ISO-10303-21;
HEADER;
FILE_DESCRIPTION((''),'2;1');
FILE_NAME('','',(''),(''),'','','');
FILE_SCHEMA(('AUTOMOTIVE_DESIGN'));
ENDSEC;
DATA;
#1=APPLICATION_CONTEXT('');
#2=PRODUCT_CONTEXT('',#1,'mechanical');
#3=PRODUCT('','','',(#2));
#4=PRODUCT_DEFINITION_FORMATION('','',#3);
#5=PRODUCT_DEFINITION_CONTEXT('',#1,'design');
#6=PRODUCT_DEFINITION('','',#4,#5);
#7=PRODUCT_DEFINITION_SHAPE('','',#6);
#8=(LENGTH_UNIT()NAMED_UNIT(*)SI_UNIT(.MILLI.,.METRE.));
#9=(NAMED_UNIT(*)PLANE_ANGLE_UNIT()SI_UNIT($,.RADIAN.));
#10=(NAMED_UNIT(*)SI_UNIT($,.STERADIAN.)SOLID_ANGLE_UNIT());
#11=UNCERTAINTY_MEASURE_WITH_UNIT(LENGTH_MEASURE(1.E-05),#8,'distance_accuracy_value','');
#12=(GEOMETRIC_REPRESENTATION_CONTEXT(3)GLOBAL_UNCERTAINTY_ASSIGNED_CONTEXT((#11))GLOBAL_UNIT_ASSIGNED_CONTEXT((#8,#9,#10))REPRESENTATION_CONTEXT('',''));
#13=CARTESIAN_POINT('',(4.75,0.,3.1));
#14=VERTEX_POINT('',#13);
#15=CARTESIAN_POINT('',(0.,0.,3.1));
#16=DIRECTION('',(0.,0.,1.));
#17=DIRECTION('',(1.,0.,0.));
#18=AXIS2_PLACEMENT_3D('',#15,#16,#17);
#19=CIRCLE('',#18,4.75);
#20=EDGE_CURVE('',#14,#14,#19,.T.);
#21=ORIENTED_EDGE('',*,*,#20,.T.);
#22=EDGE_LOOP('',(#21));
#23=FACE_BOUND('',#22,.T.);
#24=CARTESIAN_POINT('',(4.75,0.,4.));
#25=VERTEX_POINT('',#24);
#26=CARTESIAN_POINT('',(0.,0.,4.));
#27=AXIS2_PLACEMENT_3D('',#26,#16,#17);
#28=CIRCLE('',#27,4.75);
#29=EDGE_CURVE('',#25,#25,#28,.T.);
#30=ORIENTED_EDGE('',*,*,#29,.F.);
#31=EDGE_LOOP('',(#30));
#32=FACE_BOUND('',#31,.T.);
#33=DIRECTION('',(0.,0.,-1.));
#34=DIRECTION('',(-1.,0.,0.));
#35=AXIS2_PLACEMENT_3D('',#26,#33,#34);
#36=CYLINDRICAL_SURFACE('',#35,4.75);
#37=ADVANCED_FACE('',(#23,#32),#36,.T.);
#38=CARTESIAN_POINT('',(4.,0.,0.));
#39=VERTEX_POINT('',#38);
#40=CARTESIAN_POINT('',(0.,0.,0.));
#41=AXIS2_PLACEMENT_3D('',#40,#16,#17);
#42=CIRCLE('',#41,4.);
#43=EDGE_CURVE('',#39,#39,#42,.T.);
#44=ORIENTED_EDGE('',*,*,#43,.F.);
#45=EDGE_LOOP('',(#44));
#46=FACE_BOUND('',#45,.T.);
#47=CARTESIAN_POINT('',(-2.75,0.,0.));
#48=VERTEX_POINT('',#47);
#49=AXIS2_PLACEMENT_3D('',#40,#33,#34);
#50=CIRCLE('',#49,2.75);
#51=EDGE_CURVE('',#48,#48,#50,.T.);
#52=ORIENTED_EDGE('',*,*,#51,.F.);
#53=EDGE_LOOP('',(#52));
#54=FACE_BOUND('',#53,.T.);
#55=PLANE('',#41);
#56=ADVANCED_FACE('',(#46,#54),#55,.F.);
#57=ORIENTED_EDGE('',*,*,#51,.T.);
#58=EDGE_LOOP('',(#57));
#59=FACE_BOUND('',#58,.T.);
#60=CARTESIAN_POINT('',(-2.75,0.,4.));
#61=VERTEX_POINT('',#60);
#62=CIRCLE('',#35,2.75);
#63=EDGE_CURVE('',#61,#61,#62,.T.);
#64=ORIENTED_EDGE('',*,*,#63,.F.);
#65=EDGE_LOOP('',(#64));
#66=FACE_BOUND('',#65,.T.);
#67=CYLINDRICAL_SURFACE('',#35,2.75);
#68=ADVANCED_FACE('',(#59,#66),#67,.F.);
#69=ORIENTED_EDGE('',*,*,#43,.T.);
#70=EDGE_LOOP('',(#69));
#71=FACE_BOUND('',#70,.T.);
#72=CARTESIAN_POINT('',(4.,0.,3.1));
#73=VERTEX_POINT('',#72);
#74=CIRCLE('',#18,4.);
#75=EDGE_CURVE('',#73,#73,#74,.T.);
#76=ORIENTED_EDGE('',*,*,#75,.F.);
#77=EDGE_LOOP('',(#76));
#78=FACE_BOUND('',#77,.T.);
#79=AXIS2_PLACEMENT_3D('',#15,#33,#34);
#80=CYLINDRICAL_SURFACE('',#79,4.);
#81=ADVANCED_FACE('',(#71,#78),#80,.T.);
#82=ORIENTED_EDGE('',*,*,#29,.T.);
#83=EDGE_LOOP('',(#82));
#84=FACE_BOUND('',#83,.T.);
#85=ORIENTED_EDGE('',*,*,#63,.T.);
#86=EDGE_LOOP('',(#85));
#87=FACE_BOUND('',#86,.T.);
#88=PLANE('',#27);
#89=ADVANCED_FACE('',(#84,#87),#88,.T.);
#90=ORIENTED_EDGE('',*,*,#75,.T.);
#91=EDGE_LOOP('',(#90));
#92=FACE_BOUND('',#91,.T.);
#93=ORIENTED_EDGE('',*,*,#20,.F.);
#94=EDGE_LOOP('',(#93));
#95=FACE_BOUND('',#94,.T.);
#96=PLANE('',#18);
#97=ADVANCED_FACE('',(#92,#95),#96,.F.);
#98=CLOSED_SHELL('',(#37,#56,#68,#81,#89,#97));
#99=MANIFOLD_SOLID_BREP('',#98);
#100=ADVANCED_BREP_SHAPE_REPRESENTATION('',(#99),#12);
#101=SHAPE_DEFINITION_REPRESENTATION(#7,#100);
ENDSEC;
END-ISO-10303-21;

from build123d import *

# Parameters (mm, degrees)
SKETCH_1_R          = 4
EXTRUDE_1_DEPTH     = 3.1
SKETCH_2_R          = 4.75
EXTRUDE_2_DEPTH     = 0.9
SKETCH_3_R          = 2.75
CUT_EXTRUDE_1_DEPTH = 5


with BuildPart() as part:
    # 草图1 → 凸台-拉伸1 (new body)
    with BuildSketch(Plane.XY):
        Circle(SKETCH_1_R)
    extrude(amount=EXTRUDE_1_DEPTH)

    # 草图2 → 凸台-拉伸2 (add)
    with BuildSketch(Plane.XY.offset(3.1)):
        Circle(SKETCH_2_R)
    extrude(amount=EXTRUDE_2_DEPTH)

    # 草图3 → 切除-拉伸1 (cut, through all)
    with BuildSketch(Plane(origin=(0, 0, 0), x_dir=(-1, 0, 0), z_dir=(0, 0, -1))):
        Circle(SKETCH_3_R)
    extrude(amount=-CUT_EXTRUDE_1_DEPTH, mode=Mode.SUBTRACT)


solid = part.part
